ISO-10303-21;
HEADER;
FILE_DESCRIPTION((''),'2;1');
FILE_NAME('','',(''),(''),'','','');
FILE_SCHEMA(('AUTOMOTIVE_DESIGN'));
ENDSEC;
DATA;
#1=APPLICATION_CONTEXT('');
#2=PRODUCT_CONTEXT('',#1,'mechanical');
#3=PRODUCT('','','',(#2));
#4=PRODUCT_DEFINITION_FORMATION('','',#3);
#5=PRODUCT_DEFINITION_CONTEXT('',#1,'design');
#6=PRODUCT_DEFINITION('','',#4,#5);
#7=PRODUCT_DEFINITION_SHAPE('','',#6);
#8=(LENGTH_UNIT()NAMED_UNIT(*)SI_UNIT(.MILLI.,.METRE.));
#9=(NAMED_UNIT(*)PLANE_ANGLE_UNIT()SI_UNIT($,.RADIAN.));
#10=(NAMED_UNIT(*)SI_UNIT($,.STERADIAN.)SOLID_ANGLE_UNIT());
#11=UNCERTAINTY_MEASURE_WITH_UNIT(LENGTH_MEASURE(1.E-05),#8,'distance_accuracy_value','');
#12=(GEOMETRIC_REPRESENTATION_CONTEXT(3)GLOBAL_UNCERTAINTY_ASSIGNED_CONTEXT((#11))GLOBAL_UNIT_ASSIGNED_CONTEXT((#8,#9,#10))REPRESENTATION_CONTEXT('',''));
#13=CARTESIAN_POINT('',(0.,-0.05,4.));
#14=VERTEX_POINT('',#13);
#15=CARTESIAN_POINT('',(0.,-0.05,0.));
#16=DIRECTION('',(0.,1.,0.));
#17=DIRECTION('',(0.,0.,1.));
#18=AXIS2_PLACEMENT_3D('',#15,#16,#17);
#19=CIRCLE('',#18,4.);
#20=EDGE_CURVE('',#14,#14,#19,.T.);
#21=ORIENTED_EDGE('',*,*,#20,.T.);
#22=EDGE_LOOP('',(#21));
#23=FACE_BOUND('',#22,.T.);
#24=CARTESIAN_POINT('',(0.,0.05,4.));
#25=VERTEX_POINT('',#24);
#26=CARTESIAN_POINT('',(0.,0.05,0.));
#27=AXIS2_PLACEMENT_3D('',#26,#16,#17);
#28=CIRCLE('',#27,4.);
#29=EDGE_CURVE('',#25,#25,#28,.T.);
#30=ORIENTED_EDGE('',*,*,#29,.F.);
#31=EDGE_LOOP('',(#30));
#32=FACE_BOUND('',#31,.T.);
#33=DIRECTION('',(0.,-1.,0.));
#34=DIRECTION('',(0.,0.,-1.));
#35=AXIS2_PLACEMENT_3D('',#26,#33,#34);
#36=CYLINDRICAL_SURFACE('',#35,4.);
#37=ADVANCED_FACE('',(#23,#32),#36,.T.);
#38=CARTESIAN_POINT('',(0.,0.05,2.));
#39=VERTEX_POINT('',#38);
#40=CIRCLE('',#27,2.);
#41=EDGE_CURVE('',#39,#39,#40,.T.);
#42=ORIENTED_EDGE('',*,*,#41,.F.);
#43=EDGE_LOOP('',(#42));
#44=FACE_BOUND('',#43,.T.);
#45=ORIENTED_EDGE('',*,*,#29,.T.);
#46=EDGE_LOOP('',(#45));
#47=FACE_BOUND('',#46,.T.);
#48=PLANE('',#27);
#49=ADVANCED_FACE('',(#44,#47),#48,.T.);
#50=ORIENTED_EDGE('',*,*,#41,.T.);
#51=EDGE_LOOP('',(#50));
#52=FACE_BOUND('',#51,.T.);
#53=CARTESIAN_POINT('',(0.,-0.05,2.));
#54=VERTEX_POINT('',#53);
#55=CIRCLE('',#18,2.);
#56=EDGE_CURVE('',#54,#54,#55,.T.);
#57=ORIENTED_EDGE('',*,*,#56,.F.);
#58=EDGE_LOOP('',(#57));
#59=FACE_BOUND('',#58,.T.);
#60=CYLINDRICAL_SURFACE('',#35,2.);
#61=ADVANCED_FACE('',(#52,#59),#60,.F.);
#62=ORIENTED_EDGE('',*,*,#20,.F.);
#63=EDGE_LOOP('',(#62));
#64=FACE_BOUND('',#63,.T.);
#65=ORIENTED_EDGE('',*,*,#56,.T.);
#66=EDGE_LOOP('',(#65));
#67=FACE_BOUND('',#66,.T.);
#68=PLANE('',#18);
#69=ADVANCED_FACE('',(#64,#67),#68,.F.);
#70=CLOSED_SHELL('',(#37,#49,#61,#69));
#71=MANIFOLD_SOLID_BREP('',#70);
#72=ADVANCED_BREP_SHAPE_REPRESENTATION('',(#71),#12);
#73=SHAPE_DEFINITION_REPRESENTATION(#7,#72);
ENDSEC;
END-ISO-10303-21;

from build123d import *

# Parameters (mm, degrees)
BOSS_EXTRUDE1_DEPTH      = 0.05
BOSS_EXTRUDE1_DEPTH_BACK = 0.05
SKETCH3_R                = 4
SKETCH3_R_2              = 2


with BuildPart() as part:
    # Sketch3 → Boss-Extrude1 (new, two sides: drawn at the far end of the back side and taken through both)
    with BuildSketch(Plane(origin=(0, 0, 0), x_dir=(1, 0, 0), z_dir=(0, 1, 0)).offset(-BOSS_EXTRUDE1_DEPTH_BACK)):
        with Locations(Location((0, 0, 0), (0, 0, 270))):
            Circle(SKETCH3_R)
        with Locations(Location((0, 0, 0), (0, 0, 270))):
            Circle(SKETCH3_R_2, mode=Mode.SUBTRACT)
    extrude(amount=BOSS_EXTRUDE1_DEPTH + BOSS_EXTRUDE1_DEPTH_BACK)


solid = part.part
